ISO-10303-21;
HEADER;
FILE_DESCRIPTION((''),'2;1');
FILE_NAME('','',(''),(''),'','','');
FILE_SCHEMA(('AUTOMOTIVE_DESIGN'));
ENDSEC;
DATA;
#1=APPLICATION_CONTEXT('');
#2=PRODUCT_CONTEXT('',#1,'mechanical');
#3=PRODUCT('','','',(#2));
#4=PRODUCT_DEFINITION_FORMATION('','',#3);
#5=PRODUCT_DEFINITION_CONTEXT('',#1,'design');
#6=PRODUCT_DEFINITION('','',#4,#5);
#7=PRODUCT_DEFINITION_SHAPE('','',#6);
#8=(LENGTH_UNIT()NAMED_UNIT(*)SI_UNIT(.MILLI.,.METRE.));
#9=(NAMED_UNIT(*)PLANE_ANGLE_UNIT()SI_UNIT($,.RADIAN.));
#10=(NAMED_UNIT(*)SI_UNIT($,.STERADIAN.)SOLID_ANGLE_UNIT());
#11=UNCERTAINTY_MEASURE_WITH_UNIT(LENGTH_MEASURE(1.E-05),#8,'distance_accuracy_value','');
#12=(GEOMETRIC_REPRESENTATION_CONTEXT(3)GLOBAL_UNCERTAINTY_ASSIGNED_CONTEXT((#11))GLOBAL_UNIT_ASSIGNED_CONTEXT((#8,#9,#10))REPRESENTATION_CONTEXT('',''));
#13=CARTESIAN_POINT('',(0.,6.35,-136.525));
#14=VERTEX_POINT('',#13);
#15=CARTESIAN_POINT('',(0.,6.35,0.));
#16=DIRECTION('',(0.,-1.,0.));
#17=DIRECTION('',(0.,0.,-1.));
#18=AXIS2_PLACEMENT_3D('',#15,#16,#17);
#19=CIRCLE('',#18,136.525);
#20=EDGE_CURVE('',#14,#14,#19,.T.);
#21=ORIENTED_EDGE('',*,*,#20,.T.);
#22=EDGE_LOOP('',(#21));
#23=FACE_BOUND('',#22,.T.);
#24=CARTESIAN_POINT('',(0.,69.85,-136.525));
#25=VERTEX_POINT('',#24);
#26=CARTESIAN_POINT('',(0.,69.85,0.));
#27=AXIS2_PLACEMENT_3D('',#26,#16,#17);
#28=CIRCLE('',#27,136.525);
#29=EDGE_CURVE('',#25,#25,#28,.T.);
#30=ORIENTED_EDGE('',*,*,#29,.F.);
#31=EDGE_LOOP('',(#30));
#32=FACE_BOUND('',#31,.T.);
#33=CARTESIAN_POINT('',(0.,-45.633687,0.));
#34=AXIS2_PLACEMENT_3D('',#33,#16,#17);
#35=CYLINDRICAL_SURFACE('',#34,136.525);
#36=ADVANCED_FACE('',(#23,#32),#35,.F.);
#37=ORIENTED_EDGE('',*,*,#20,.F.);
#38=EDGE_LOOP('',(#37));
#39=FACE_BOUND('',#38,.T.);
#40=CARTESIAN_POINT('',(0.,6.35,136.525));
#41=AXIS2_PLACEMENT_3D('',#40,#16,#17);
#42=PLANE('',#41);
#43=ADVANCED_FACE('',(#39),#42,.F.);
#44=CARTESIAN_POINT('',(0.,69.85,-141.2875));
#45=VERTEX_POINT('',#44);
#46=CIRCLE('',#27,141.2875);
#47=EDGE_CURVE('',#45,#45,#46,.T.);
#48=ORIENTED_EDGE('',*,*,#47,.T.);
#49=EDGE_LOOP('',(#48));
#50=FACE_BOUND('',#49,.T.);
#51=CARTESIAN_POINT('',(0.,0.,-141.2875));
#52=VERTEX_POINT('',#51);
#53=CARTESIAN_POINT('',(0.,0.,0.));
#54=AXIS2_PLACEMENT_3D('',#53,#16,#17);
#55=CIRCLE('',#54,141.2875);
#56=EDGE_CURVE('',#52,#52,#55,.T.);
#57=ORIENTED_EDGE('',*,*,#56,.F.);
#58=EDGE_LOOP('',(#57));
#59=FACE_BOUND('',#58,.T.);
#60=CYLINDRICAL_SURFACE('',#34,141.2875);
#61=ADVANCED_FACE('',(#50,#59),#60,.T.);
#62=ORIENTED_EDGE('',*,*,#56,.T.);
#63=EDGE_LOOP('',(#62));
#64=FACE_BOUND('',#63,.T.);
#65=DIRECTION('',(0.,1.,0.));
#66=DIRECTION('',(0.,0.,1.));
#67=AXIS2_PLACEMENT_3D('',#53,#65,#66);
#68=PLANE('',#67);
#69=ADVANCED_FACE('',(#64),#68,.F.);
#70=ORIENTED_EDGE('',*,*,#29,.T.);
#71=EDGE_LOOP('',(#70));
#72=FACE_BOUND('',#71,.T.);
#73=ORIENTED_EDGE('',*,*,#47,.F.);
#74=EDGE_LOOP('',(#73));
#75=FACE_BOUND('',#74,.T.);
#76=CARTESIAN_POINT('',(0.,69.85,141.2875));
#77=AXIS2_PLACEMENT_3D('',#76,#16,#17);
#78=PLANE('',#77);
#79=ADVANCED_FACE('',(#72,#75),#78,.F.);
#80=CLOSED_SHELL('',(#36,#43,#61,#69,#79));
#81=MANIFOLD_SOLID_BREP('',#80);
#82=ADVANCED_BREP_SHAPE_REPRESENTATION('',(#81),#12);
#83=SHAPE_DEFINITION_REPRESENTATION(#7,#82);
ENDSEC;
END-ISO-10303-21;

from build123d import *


with BuildPart() as part:
    # Sketch1 → Revolve1 (revolve)
    with BuildSketch(Plane(origin=(0, 0, 0), x_dir=(0, 0, -1), z_dir=(1, 0, 0)), mode=Mode.PRIVATE) as revolve1_sk:
        Polygon((0, 0), (-141.2875, 0), (-141.2875, 69.85), (-136.525, 69.85), (-136.525, 6.35), (0, 6.35), align=None)
    revolve(revolve1_sk.sketch.rotate(Axis((0, -45.633687212, 0), (0, 1, 0)), 180), axis=Axis((0, -45.633687212, 0), (0, 1, 0)))  # turned: the seam where the file's is


solid = part.part
